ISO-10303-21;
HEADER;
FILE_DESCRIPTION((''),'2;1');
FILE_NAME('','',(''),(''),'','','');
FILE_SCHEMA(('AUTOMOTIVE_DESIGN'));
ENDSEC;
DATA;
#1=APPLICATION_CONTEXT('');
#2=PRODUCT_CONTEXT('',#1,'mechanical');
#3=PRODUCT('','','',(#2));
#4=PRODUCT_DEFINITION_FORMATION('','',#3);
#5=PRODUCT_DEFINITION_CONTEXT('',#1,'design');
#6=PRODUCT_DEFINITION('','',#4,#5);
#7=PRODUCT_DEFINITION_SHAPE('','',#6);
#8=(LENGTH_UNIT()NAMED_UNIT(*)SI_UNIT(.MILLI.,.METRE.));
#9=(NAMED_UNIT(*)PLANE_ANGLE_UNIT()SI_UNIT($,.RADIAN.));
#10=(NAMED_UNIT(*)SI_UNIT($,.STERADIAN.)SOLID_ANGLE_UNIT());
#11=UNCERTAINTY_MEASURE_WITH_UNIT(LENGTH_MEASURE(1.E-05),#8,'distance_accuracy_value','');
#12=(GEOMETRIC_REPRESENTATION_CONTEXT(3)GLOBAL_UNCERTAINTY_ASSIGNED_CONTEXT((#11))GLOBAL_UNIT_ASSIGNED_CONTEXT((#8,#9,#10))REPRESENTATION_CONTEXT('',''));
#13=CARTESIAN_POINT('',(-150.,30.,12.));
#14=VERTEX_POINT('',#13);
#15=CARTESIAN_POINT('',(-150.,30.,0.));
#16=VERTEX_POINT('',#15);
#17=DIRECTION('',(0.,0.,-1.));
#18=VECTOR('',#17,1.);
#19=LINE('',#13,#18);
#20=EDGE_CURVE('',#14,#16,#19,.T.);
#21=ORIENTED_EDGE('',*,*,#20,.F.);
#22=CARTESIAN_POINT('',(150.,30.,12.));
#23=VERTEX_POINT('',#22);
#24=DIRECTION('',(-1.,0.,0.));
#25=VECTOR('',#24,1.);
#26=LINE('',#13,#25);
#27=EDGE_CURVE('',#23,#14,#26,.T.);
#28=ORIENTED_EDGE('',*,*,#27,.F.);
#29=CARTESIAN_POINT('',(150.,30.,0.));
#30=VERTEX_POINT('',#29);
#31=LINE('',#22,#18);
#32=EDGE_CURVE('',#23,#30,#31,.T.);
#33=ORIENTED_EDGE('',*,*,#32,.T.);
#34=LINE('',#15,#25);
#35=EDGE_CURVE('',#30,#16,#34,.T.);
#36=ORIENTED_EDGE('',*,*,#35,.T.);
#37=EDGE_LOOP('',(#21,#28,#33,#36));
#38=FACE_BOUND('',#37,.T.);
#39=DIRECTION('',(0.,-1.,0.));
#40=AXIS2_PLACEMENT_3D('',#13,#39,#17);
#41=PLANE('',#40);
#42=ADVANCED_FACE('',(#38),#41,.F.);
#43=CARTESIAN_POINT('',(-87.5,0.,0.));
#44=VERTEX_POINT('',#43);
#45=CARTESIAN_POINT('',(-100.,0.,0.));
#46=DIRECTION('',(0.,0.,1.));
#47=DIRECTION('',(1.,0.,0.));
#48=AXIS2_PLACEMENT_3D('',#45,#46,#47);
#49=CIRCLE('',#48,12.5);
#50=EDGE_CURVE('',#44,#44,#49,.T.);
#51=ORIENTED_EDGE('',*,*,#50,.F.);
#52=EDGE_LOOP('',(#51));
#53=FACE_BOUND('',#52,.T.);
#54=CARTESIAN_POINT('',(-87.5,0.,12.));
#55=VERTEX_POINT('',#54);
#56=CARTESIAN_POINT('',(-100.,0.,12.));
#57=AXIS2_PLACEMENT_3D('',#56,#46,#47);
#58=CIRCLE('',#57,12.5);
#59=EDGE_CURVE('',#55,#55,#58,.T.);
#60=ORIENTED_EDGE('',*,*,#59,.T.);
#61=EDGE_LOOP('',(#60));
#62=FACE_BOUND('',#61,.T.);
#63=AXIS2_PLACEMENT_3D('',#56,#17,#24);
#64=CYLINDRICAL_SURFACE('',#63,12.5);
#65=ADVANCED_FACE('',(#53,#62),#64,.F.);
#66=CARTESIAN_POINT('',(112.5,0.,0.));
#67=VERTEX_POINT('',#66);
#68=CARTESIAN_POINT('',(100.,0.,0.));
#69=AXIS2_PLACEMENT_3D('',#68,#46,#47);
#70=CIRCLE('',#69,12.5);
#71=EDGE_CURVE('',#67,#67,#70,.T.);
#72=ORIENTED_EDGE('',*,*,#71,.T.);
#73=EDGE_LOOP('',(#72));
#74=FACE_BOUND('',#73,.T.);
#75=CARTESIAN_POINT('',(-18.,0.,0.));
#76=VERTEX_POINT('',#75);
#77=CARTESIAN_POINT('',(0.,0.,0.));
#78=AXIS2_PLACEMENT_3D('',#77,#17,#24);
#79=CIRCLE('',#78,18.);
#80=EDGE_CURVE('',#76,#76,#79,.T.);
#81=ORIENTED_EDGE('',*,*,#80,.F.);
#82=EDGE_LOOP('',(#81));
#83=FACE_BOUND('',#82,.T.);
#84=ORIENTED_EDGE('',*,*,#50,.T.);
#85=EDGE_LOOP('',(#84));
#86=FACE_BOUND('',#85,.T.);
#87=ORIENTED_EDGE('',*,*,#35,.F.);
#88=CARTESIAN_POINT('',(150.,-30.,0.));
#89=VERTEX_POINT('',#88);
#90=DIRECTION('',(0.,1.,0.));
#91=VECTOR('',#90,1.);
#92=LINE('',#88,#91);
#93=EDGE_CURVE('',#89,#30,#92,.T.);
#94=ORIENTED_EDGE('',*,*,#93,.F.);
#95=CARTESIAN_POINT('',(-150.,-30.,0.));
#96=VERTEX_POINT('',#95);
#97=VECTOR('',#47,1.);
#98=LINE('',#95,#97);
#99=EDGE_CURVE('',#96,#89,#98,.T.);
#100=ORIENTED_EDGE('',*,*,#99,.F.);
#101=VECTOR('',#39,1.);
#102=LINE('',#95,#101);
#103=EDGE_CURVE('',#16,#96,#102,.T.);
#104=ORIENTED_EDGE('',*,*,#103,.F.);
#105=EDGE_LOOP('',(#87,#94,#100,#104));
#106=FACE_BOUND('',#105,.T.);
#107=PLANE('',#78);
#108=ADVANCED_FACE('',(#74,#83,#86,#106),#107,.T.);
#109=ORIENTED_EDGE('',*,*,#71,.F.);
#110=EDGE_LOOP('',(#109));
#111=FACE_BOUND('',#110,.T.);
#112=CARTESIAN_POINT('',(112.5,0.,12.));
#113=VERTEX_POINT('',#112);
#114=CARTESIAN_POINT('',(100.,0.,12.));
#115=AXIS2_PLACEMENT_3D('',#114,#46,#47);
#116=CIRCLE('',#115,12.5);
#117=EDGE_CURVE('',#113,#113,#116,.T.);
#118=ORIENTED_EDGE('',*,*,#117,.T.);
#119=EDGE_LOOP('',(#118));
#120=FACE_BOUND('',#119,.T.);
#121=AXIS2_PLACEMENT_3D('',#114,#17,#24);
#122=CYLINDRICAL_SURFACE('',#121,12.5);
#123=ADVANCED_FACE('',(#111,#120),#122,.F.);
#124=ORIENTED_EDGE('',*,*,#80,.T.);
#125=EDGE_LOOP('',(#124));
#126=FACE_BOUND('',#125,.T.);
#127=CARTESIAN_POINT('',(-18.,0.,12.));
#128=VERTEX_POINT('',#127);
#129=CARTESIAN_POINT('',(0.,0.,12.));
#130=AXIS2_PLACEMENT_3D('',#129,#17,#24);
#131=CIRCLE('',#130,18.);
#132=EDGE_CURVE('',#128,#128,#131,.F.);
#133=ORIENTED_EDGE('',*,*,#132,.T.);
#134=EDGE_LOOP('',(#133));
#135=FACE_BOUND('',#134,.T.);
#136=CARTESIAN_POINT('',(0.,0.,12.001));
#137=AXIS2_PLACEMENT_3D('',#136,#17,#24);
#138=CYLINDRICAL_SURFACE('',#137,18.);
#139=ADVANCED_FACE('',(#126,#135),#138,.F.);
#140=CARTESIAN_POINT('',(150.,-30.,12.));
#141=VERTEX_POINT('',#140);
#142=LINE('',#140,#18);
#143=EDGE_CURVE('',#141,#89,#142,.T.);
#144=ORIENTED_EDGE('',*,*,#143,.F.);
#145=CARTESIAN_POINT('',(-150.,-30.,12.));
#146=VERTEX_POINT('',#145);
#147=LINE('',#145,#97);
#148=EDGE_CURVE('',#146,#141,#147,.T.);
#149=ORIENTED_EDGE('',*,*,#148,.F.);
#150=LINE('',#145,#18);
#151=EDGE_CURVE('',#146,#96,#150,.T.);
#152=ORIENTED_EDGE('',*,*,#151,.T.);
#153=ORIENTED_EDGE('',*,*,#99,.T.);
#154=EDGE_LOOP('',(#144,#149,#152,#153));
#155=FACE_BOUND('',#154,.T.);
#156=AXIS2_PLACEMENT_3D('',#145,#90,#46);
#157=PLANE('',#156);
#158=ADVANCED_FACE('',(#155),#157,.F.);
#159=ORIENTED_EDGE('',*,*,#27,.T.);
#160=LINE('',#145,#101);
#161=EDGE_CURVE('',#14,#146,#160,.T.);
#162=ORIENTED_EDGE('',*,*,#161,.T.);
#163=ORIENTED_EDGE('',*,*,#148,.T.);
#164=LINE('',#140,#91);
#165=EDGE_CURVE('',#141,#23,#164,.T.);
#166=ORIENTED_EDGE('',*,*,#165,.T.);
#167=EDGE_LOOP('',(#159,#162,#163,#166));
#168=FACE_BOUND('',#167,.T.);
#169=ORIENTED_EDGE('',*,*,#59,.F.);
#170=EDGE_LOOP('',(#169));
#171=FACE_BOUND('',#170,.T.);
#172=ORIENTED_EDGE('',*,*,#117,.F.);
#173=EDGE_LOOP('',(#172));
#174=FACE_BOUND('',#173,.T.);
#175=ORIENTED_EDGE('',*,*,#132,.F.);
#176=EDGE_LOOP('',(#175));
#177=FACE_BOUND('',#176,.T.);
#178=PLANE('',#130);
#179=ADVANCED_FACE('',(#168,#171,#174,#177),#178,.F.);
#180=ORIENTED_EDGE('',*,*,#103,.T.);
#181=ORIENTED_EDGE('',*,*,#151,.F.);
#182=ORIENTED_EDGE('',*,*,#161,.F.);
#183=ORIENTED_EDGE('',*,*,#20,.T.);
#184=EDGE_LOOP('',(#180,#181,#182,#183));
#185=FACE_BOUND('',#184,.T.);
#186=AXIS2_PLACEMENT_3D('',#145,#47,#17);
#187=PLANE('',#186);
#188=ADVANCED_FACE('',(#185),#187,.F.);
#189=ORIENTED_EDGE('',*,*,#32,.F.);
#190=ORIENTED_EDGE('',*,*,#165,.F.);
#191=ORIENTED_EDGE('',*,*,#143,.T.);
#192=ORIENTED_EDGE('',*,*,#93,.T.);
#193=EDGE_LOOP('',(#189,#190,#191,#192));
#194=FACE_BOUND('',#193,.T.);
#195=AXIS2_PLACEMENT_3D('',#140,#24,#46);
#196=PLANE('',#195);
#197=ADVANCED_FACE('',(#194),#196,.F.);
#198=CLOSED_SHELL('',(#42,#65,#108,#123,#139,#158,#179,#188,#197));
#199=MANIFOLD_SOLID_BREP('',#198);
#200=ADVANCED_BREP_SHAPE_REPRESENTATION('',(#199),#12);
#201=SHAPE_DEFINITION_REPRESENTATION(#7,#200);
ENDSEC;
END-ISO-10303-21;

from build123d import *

# Parameters (mm, degrees)
SKETCH_1_W          = 300
SKETCH_1_H          = 60
SKETCH_1_R          = 12.5
EXTRUDE_1_DEPTH     = 12
CUT_EXTRUDE_1_REACH = 155.441
SKETCH_2_R          = 18


with BuildPart() as part:
    # 草图1 → 凸台-拉伸1 (new body)
    with BuildSketch(Plane.XY):
        Rectangle(SKETCH_1_W, SKETCH_1_H)
        with Locations((100, 0)):
            Circle(SKETCH_1_R, mode=Mode.SUBTRACT)
        with Locations((-100, 0)):
            Circle(SKETCH_1_R, mode=Mode.SUBTRACT)
    extrude(amount=EXTRUDE_1_DEPTH)

    # 草图2 → 切除-拉伸1 (cut, up to next)
    with BuildSketch(Plane(origin=(0, 0, 0), x_dir=(-1, 0, 0), z_dir=(0, 0, -1)), mode=Mode.PRIVATE) as cut_extrude_1_sk1:
        Circle(SKETCH_2_R)
    cut_extrude_1_tool1 = extrude(cut_extrude_1_sk1.sketch, amount=-CUT_EXTRUDE_1_REACH, mode=Mode.PRIVATE) & part.part
    add(cut_extrude_1_tool1.solids().sort_by_distance((0, 0, 0))[0], mode=Mode.SUBTRACT)


solid = part.part
